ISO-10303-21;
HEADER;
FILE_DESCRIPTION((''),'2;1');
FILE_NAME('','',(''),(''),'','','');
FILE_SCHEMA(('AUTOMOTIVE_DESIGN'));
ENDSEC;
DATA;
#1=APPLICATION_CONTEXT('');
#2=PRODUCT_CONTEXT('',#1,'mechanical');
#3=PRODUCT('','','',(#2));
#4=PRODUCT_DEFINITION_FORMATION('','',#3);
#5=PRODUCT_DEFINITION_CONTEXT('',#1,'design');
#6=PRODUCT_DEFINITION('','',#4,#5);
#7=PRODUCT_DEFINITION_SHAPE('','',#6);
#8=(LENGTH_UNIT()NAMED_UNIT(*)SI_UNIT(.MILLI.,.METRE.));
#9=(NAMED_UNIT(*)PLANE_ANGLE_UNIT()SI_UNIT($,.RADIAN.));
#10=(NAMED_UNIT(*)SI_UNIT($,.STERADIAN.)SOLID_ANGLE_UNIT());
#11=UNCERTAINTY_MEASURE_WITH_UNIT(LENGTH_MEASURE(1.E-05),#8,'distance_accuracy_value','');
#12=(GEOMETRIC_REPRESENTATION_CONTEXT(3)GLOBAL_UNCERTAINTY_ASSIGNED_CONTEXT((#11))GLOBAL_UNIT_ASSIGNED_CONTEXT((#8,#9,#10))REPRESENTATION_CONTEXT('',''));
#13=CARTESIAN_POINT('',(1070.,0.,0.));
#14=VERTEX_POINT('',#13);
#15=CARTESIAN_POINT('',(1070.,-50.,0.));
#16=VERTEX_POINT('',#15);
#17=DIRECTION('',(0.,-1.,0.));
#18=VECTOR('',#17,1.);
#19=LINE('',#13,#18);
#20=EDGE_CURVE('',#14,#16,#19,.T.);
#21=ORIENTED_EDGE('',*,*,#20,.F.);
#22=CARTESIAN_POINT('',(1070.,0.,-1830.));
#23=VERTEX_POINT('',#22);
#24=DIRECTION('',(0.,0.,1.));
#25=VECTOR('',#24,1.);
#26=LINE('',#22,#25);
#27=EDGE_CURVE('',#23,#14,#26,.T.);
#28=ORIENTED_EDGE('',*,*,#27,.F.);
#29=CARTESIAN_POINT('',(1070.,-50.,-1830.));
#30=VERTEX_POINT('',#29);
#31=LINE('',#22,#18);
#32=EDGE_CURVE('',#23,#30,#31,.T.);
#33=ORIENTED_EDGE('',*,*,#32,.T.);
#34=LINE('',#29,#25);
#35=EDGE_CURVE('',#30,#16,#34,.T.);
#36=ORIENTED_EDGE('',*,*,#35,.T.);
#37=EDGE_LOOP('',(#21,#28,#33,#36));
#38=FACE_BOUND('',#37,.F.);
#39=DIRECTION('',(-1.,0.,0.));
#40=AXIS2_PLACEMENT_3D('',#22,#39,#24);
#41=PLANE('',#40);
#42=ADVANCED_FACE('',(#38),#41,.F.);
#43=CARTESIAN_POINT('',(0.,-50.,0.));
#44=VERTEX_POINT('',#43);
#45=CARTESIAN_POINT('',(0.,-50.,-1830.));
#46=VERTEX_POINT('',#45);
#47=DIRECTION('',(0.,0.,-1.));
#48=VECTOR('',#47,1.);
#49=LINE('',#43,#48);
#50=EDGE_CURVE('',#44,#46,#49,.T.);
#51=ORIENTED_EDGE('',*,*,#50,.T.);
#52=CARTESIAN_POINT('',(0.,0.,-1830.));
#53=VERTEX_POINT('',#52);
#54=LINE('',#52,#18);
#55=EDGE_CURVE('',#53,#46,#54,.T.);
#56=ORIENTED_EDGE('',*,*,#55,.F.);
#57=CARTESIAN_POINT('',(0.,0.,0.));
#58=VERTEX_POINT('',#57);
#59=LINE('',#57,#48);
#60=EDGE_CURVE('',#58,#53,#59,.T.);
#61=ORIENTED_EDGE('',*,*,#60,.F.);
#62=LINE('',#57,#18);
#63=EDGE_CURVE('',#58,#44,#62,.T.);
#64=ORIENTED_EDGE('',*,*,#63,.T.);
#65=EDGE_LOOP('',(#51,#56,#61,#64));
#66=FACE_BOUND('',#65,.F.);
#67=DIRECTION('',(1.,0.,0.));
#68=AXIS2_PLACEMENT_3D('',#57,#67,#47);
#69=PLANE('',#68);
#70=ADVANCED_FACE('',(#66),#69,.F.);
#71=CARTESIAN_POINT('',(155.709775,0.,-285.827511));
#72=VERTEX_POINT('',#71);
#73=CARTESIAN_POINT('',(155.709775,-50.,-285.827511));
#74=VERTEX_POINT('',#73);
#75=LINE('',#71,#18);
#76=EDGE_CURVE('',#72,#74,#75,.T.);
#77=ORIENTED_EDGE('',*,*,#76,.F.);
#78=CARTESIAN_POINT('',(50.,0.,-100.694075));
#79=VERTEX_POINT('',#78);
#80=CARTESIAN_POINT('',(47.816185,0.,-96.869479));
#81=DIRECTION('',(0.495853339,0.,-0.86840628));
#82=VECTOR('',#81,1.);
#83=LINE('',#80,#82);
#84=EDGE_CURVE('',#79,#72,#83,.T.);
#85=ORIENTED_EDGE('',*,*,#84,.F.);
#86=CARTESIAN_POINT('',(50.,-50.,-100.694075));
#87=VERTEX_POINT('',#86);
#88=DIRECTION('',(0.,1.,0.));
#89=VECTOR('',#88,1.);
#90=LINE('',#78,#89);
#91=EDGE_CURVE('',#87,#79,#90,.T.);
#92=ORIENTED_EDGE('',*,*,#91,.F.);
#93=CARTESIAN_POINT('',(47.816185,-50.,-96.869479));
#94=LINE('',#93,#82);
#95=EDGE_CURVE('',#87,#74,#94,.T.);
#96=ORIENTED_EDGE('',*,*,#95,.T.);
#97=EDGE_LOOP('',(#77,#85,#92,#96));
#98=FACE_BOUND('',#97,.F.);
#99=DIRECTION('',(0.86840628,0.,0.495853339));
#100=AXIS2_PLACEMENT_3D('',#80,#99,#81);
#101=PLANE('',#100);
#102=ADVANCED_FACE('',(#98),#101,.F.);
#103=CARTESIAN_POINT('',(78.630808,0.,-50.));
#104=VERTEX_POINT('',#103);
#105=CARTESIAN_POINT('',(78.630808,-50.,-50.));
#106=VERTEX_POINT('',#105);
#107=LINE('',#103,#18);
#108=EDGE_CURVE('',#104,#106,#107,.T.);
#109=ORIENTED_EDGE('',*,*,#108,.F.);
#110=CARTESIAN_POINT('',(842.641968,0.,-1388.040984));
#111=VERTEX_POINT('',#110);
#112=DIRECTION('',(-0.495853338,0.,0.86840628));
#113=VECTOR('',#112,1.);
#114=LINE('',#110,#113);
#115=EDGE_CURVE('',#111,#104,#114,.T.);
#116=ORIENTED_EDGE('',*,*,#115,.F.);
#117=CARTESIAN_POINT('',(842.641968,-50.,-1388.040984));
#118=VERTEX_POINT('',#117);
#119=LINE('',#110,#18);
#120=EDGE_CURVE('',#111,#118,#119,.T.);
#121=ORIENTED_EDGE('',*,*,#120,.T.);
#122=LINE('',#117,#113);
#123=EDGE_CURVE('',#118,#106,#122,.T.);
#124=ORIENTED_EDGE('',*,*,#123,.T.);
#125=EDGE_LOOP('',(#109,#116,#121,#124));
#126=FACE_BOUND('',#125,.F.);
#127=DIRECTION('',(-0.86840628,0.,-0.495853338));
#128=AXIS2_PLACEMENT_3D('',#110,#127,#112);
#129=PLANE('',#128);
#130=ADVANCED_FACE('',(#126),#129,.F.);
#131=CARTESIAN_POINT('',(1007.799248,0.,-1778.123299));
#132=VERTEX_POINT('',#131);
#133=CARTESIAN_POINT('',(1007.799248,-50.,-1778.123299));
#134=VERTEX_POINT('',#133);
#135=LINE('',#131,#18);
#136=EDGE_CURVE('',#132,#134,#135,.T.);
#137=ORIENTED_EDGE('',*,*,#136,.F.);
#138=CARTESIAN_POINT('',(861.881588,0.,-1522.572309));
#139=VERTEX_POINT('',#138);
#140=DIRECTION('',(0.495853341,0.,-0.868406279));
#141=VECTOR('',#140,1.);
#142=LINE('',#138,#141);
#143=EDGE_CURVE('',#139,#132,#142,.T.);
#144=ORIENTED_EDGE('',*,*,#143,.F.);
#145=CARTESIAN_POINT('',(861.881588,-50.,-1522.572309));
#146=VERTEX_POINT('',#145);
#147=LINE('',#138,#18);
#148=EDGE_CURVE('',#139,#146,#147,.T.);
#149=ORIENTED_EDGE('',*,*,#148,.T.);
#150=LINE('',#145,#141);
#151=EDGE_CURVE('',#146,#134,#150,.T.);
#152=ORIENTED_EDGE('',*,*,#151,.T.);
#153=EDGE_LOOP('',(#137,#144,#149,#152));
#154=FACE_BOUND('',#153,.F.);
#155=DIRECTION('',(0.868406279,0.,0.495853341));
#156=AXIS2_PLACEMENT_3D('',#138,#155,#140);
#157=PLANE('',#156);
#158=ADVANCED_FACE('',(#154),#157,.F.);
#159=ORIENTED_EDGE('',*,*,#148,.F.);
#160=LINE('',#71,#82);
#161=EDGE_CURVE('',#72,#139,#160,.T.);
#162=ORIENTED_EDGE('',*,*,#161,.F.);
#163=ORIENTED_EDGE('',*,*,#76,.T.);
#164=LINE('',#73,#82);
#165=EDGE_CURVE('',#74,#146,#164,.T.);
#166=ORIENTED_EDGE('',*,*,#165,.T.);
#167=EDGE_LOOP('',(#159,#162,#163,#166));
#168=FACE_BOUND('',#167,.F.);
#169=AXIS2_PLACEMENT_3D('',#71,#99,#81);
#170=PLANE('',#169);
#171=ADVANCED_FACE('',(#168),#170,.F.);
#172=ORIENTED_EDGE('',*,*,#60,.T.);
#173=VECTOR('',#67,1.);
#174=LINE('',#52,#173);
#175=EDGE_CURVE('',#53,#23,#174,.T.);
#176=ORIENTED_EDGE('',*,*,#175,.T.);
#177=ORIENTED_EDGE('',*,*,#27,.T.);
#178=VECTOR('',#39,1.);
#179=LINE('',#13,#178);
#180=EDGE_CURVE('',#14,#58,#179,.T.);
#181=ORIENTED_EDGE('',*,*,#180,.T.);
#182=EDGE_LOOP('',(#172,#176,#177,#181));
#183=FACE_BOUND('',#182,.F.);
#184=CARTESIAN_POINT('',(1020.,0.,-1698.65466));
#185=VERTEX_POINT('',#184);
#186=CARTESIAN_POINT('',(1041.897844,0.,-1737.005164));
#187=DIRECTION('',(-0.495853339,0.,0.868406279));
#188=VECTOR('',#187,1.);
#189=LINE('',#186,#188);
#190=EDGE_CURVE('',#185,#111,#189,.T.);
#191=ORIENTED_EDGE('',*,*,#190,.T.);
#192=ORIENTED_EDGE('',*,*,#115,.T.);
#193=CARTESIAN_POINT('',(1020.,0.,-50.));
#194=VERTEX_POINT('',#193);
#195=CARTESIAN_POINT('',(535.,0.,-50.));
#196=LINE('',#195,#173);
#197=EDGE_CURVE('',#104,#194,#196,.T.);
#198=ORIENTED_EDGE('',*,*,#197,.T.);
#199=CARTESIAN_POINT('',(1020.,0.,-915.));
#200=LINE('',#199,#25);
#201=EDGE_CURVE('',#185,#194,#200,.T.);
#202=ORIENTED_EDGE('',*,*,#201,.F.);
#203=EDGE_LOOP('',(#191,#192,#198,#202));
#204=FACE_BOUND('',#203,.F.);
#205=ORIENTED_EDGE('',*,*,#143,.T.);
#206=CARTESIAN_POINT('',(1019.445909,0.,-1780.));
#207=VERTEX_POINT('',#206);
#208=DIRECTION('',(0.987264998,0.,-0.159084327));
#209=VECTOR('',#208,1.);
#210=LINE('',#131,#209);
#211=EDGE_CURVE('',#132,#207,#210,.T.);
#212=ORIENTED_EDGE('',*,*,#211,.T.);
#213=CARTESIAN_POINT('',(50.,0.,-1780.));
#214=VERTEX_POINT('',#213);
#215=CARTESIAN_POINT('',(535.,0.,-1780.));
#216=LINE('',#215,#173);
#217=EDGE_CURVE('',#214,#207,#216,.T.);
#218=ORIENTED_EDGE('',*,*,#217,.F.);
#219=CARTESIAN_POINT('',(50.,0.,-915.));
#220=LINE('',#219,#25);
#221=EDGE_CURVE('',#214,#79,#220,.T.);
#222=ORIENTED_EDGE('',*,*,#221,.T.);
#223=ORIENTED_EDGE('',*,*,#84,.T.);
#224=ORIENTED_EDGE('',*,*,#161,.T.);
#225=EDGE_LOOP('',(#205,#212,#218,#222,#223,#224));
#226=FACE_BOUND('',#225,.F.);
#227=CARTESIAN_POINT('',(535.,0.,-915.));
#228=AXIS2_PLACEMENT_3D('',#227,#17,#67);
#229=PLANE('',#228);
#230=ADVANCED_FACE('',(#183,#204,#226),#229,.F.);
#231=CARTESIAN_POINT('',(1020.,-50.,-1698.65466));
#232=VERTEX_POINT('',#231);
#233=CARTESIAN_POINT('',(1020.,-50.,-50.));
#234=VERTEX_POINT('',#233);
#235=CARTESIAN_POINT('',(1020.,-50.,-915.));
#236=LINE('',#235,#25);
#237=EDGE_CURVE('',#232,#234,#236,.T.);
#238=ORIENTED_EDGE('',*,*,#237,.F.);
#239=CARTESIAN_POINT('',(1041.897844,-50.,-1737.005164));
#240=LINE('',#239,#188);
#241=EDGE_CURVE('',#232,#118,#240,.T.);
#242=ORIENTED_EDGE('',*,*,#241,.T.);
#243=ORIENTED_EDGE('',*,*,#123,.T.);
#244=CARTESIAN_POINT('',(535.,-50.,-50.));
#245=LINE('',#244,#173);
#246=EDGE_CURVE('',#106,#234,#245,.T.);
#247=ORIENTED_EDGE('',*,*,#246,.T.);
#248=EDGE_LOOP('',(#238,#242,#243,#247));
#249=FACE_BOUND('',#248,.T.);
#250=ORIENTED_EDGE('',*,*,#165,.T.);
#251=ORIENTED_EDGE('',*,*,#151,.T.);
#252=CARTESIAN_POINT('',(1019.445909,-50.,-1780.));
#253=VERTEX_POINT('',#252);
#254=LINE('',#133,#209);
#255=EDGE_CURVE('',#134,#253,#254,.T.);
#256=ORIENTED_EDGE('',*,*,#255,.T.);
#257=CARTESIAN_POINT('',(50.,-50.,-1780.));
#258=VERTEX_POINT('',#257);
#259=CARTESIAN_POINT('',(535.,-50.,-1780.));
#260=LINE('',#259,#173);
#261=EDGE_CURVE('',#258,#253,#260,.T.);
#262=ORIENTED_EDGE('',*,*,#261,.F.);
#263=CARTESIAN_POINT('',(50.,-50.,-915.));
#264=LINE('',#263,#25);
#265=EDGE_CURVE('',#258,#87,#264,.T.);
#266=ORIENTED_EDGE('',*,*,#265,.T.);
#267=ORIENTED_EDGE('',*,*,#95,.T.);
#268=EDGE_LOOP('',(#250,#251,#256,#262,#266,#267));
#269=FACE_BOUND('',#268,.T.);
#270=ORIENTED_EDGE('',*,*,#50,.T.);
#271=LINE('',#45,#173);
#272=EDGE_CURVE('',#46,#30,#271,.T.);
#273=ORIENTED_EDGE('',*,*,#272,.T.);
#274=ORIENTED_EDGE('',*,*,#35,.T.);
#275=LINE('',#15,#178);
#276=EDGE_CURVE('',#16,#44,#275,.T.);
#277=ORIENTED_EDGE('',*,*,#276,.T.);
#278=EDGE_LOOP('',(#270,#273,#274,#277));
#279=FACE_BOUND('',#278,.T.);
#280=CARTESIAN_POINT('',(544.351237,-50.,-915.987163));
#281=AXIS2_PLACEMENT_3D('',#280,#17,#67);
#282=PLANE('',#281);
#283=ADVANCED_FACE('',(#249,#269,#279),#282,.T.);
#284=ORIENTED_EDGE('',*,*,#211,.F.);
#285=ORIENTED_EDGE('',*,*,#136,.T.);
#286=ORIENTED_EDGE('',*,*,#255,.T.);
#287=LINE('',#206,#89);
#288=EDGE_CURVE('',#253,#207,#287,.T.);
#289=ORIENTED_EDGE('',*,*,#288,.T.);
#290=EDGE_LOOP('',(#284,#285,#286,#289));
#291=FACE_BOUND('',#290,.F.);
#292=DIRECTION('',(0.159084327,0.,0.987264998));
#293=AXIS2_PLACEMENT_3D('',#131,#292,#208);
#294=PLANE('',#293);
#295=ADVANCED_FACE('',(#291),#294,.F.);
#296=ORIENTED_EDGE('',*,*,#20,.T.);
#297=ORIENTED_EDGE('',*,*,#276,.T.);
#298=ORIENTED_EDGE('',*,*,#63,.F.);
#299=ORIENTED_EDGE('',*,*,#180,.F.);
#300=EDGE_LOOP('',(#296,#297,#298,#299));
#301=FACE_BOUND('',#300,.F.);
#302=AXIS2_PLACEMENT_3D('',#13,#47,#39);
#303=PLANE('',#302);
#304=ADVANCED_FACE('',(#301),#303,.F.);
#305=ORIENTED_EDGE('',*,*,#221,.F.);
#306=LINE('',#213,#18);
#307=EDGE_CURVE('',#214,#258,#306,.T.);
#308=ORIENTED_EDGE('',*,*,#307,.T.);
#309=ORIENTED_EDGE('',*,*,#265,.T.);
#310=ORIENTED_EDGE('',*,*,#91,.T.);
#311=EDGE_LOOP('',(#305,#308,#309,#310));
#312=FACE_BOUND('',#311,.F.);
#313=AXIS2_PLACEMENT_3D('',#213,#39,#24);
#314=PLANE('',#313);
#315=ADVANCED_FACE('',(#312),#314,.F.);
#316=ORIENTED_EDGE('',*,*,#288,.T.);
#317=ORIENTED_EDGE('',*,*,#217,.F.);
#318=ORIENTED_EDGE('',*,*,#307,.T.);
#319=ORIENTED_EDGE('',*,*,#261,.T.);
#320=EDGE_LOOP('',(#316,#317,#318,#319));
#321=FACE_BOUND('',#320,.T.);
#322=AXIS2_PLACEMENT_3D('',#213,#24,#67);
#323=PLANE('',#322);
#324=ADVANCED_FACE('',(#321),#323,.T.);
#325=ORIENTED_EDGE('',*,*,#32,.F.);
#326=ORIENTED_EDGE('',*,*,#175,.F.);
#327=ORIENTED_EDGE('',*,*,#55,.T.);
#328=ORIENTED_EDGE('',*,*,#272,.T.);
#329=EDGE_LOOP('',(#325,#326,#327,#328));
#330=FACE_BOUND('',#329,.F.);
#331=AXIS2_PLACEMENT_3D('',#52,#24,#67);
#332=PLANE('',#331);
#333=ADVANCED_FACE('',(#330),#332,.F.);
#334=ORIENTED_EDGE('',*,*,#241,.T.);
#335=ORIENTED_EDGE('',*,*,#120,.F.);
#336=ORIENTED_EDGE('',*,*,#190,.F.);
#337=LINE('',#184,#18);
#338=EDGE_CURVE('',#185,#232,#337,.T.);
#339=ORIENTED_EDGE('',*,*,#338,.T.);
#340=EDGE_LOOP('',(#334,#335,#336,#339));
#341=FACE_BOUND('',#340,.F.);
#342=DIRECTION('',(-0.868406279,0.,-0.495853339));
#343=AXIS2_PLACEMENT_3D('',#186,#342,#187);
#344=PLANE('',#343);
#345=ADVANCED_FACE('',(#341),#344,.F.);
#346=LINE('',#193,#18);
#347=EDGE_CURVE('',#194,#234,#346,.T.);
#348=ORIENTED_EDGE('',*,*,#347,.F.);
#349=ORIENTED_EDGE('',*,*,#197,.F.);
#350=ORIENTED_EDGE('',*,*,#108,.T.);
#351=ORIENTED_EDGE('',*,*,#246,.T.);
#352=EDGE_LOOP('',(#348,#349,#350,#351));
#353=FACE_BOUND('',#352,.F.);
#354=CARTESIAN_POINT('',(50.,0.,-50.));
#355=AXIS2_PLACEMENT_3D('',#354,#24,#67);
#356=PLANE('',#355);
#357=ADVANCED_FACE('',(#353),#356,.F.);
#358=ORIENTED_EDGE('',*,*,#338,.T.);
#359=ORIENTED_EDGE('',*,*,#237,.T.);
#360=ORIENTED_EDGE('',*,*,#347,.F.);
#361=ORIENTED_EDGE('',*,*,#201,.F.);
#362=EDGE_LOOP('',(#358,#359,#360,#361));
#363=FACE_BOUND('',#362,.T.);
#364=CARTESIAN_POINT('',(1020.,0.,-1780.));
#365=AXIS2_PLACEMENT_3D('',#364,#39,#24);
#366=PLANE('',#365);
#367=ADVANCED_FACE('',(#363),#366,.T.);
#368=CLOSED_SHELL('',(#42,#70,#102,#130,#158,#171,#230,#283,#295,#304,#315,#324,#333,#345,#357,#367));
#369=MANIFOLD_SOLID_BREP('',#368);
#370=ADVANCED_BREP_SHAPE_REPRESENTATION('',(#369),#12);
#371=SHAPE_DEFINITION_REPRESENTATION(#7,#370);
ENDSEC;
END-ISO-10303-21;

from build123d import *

# Parameters (mm, degrees)
F0_W     = 970
F0_H     = 1730
F1_DEPTH = 50
F3_DEPTH = 50


with BuildPart() as f1:
    # F0 (on Front) → F1 (new body)
    with BuildSketch(Plane.XZ):
        Polygon((1020, 0), (0, 0), (0, -1830), (1070, -1830), (1070, 0), align=None)
        with Locations((535, -915)):
            Rectangle(F0_W, F0_H, mode=Mode.SUBTRACT)
    extrude(amount=F1_DEPTH)

    # F2 (on Front) → F3 (join)
    with BuildSketch(Plane.XZ):
        Polygon((1041.897844, -1737.005164), (842.641968, -1388.040984), (78.297675, -49.416571), (49.824655, -49.968854), (47.816185, -96.869479), (155.709775, -285.827511), (861.881588, -1522.572309), (1007.799248, -1778.123299), (1039.504766, -1783.232212), align=None)
    extrude(amount=F3_DEPTH)


solid = f1.part
